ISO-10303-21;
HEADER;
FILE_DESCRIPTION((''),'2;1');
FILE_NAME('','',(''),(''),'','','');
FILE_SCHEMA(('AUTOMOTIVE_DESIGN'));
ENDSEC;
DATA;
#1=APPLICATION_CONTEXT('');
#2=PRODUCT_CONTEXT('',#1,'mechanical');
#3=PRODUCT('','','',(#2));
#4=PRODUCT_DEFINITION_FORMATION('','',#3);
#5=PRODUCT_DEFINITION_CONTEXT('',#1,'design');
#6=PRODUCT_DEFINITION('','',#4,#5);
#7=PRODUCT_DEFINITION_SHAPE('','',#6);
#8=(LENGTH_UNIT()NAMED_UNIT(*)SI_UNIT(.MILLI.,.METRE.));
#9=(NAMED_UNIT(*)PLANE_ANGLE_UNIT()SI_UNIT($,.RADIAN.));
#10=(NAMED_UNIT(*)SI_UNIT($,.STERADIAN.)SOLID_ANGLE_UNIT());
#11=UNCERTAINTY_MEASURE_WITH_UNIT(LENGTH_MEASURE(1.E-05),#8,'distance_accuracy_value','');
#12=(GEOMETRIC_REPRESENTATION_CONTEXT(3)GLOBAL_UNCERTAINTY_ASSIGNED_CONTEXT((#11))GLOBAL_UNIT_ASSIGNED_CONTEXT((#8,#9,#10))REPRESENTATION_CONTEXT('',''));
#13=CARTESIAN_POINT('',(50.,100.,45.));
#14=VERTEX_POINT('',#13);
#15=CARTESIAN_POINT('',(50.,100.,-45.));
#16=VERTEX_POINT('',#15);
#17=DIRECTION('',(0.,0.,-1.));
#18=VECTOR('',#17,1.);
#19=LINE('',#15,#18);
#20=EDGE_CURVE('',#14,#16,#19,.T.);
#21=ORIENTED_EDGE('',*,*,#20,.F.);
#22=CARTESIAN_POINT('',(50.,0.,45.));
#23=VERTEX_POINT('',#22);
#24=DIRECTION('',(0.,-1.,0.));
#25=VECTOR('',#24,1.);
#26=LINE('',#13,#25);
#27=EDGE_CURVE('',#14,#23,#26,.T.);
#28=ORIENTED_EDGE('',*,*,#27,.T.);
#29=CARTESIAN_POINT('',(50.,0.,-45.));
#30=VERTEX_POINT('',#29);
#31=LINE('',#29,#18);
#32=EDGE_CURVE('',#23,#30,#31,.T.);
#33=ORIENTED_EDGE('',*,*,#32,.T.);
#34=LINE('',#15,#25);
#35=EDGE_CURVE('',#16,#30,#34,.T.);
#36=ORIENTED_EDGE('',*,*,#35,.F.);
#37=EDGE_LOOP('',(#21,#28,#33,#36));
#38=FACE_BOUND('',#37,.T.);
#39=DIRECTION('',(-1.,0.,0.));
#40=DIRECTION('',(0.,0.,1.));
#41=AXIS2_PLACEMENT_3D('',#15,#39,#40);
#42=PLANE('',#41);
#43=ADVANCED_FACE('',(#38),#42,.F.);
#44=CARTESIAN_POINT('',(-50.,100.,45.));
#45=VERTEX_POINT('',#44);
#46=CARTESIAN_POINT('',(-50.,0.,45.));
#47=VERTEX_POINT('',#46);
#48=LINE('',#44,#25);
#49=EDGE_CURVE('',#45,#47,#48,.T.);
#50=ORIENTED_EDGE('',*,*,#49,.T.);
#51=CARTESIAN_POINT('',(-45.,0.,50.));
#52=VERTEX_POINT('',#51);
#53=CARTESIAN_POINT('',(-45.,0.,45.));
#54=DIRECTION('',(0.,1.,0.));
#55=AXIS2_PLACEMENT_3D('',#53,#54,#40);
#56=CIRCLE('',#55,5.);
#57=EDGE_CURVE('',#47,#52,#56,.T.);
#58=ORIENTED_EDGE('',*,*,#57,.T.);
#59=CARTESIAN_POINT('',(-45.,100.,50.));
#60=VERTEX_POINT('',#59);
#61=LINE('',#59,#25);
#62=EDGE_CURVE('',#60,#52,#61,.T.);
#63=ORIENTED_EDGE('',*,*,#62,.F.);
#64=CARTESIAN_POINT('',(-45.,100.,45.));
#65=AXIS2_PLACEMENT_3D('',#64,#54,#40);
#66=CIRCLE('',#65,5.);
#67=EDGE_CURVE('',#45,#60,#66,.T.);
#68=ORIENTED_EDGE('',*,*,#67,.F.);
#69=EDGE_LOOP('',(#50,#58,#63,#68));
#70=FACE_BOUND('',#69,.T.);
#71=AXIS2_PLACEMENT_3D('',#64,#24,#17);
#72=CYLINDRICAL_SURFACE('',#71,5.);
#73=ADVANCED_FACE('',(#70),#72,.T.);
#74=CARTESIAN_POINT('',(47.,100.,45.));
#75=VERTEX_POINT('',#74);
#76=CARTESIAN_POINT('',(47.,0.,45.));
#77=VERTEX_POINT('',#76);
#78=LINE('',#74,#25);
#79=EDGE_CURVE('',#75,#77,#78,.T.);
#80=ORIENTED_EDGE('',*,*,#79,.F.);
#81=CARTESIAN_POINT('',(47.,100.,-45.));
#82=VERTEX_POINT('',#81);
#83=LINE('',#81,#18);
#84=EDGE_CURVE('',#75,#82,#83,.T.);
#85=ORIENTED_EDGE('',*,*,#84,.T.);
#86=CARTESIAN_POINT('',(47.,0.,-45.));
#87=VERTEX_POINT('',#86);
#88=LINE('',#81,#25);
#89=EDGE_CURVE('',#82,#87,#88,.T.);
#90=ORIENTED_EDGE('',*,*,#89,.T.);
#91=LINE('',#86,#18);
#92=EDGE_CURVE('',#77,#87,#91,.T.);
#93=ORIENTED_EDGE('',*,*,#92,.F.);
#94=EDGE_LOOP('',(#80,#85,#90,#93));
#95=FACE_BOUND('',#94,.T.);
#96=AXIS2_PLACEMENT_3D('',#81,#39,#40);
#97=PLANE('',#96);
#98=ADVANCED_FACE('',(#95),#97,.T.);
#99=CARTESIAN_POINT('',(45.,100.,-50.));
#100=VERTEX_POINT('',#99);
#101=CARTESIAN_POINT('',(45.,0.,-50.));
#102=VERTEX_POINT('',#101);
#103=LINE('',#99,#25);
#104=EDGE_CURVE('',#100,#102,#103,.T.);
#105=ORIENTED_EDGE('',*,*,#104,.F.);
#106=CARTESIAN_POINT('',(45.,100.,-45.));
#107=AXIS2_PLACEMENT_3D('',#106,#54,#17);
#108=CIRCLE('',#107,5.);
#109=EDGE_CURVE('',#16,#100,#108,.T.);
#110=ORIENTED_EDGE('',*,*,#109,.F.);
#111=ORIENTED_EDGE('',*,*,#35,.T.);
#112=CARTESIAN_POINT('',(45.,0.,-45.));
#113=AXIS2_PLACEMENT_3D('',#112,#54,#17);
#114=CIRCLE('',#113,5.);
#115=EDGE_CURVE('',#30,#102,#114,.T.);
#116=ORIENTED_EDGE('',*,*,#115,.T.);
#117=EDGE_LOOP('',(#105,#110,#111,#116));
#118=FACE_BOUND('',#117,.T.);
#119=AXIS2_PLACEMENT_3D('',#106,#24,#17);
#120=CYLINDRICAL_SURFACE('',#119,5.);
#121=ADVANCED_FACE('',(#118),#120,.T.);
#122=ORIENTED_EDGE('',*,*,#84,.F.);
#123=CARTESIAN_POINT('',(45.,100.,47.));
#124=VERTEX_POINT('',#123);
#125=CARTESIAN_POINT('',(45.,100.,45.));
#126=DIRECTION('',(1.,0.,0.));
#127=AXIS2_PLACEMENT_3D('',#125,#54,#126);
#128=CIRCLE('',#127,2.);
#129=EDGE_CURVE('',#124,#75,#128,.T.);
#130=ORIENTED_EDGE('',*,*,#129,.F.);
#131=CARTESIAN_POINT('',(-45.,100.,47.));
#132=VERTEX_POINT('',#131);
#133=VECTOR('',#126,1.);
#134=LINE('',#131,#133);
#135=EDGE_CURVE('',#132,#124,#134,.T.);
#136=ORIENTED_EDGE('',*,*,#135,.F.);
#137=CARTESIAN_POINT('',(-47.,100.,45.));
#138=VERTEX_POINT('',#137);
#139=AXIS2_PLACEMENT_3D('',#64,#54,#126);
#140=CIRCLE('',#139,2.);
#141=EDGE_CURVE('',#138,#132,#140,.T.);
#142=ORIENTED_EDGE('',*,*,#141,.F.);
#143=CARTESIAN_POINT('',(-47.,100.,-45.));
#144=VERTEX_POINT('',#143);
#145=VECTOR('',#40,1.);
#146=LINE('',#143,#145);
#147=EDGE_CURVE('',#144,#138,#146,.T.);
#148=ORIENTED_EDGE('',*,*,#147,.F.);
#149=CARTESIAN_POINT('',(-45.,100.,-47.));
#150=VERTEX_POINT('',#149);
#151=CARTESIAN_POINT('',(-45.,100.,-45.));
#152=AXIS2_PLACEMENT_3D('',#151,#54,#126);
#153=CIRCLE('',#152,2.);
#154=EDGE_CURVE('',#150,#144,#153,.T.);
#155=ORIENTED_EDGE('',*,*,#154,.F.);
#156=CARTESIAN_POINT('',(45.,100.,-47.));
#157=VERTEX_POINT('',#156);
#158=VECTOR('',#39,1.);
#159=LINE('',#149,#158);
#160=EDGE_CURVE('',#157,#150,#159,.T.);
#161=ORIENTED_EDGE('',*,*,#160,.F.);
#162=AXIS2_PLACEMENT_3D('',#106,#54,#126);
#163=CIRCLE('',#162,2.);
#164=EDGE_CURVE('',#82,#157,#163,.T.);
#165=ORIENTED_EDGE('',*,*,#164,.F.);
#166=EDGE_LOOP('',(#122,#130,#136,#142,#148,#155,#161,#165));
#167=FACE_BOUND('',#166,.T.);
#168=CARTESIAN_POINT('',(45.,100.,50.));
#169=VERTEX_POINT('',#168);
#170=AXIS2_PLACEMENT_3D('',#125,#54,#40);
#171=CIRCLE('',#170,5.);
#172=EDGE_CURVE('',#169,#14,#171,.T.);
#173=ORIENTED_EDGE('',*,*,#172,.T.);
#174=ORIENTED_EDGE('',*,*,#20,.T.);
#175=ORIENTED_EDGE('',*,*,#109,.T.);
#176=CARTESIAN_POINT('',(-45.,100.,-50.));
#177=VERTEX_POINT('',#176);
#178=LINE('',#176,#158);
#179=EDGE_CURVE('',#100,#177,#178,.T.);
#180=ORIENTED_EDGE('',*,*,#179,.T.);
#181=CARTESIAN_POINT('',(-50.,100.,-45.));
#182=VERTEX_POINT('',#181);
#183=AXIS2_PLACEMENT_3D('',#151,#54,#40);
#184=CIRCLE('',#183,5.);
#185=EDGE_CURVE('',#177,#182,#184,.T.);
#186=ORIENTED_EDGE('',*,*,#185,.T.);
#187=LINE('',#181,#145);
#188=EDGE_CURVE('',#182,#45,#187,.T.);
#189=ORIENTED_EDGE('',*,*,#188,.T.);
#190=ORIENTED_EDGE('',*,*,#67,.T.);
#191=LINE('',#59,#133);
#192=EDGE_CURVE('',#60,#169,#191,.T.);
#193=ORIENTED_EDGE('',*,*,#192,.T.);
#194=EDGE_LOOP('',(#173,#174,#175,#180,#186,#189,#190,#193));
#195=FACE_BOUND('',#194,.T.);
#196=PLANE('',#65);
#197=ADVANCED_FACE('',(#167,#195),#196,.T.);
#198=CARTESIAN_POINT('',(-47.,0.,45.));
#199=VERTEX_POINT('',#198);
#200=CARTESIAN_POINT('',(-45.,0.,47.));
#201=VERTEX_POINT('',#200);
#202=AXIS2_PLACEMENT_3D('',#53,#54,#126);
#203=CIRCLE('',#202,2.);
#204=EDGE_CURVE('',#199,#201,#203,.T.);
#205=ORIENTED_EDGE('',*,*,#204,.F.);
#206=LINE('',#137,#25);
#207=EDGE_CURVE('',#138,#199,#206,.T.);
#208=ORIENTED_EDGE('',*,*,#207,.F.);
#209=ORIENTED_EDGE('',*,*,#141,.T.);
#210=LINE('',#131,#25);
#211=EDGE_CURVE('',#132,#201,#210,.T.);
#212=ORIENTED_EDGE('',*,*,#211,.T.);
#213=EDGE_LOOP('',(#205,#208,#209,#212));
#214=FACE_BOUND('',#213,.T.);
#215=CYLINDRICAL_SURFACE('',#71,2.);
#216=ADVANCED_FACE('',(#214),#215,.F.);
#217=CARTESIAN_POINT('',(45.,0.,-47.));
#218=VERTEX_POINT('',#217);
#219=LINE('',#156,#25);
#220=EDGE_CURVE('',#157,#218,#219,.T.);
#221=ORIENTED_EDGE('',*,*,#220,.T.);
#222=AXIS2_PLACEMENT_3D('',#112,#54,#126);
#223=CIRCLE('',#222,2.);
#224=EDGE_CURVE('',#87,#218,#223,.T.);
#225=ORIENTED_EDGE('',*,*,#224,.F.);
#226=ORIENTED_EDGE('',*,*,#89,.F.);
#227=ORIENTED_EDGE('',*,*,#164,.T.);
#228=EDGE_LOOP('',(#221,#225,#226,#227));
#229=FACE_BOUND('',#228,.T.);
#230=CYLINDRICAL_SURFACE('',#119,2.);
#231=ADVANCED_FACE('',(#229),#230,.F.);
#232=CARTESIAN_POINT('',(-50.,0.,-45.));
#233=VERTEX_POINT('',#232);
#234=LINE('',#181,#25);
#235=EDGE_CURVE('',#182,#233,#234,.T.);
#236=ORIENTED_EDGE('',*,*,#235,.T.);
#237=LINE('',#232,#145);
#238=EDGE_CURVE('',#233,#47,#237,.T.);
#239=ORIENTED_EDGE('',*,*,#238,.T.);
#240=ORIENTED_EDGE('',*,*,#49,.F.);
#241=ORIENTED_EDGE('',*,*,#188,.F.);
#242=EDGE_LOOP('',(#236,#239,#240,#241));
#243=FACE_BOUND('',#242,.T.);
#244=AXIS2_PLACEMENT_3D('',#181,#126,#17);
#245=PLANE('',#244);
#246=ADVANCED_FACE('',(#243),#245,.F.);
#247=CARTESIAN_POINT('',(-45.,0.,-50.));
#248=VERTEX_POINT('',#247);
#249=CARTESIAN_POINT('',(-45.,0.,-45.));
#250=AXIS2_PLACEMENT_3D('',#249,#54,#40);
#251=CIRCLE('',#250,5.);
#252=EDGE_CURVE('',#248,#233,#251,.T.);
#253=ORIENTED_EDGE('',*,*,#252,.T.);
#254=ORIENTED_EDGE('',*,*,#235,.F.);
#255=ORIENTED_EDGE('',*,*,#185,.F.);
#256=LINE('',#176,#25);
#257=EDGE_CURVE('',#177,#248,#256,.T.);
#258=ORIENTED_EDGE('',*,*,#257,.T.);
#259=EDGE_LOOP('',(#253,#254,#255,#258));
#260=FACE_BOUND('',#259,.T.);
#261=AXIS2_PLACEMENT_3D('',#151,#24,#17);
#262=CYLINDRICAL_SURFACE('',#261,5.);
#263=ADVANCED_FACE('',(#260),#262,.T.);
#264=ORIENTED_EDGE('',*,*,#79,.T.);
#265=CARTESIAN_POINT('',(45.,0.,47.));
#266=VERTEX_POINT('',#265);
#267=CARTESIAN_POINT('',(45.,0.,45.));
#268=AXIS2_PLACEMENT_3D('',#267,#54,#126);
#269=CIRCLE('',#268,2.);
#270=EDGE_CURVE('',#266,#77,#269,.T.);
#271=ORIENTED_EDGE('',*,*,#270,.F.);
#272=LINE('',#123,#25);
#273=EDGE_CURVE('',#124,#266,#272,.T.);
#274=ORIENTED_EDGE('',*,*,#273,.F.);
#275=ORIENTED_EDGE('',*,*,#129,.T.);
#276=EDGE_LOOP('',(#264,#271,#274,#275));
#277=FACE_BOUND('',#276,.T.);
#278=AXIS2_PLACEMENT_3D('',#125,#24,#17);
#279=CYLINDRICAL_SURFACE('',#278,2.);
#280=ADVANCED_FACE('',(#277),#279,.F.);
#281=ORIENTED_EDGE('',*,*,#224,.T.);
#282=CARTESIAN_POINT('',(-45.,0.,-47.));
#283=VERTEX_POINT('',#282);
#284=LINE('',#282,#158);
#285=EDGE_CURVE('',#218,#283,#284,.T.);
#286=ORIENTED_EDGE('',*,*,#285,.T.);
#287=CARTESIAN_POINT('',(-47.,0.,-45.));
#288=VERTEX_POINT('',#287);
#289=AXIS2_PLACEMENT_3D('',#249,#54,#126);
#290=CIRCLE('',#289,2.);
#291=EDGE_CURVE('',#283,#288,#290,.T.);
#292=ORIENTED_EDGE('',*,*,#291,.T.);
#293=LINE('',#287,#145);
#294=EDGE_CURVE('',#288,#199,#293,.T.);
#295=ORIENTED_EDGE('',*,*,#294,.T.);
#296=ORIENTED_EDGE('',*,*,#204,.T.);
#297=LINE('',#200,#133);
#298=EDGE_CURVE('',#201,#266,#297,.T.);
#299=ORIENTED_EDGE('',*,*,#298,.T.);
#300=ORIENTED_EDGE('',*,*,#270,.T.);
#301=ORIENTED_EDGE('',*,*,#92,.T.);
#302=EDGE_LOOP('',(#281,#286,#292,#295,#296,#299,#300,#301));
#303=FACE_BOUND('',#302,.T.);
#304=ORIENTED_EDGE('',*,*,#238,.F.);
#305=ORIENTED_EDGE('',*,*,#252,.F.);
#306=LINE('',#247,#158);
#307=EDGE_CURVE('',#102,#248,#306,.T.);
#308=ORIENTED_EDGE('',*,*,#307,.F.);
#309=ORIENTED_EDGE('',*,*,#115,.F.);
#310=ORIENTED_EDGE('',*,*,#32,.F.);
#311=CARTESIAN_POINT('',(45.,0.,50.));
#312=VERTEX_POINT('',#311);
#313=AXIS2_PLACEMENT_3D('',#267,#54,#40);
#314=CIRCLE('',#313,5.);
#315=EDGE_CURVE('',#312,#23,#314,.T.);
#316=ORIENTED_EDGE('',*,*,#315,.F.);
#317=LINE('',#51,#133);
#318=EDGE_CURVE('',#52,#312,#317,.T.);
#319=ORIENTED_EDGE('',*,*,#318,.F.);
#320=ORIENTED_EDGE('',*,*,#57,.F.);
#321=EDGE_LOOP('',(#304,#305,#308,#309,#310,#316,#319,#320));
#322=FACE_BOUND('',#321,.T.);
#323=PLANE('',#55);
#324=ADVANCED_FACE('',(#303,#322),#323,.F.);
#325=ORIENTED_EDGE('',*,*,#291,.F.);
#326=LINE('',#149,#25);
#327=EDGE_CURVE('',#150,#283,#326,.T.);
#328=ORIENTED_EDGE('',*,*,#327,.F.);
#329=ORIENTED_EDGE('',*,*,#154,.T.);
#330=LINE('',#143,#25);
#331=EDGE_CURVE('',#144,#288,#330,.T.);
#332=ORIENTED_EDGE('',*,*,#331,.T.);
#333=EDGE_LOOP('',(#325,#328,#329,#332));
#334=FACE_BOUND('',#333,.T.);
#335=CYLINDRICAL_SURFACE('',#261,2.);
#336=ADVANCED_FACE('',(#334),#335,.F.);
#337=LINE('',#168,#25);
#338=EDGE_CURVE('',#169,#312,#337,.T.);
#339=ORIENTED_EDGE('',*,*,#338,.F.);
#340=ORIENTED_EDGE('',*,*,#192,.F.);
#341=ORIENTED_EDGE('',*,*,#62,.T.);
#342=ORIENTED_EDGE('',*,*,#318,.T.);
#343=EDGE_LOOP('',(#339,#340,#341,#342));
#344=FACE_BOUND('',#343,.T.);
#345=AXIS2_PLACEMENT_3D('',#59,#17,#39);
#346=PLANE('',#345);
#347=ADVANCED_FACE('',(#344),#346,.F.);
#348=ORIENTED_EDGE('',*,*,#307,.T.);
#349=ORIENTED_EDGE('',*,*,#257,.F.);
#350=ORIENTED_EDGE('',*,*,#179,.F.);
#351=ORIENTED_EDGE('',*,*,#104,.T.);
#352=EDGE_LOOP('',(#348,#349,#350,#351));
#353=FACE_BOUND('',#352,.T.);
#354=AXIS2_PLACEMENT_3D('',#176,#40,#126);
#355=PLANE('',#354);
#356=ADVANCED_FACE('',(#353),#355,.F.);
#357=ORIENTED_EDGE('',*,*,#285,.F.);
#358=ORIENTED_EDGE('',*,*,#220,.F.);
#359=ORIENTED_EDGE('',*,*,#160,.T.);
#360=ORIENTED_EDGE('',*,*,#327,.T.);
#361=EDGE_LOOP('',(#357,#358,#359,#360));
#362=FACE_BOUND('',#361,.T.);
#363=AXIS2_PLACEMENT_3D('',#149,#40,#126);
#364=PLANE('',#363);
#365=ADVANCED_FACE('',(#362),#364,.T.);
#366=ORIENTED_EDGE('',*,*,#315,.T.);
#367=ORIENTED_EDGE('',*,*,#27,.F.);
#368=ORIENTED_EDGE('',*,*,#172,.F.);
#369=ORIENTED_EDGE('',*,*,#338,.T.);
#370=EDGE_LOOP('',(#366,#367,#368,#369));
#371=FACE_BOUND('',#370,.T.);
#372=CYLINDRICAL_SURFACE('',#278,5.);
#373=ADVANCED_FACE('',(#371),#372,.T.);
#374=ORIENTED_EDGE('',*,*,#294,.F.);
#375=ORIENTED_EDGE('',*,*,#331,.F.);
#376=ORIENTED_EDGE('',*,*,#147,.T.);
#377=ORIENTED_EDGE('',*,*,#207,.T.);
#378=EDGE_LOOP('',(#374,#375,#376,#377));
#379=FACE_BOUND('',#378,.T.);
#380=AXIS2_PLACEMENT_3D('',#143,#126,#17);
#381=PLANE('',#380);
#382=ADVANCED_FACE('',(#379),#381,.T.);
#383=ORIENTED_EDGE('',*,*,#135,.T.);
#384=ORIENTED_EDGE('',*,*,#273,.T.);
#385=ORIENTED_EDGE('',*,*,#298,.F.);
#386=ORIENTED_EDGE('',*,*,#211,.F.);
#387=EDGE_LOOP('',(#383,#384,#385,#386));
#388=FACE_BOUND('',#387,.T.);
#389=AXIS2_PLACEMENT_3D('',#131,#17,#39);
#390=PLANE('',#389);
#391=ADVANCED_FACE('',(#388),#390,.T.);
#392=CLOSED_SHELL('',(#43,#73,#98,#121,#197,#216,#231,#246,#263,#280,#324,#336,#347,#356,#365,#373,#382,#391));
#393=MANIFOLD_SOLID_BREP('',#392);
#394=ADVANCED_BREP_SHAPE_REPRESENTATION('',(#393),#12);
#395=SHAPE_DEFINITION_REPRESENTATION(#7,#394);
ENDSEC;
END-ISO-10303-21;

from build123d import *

# Parameters (mm, degrees)
EXTRUDE_1_DEPTH = 100


with BuildPart() as part:
    # Эскиз1 → Вытянуть-Тонкостенный1 (new body)
    with BuildSketch(Plane(origin=(0, 0, 0), x_dir=(1, 0, 0), z_dir=(0, 1, 0))):
        with BuildLine():
            Line((-45, 50), (45, 50))
            ThreePointArc((45, 50), (48.535533906, 48.535533906), (50, 45))
            Line((50, 45), (50, -45))
            ThreePointArc((50, -45), (48.535533906, -48.535533906), (45, -50))
            Line((45, -50), (-45, -50))
            ThreePointArc((-45, -50), (-48.535533906, -48.535533906), (-50, -45))
            Line((-50, -45), (-50, 45))
            ThreePointArc((-50, 45), (-48.535533906, 48.535533906), (-45, 50))
        make_face()
        with BuildLine():
            Line((-45, 47), (45, 47))
            ThreePointArc((45, 47), (46.414213562, 46.414213562), (47, 45))
            Line((47, 45), (47, -45))
            ThreePointArc((47, -45), (46.414213562, -46.414213562), (45, -47))
            Line((45, -47), (-45, -47))
            ThreePointArc((-45, -47), (-46.414213562, -46.414213562), (-47, -45))
            Line((-47, -45), (-47, 45))
            ThreePointArc((-47, 45), (-46.414213562, 46.414213562), (-45, 47))
        make_face(mode=Mode.SUBTRACT)
    extrude(amount=EXTRUDE_1_DEPTH)


solid = part.part
